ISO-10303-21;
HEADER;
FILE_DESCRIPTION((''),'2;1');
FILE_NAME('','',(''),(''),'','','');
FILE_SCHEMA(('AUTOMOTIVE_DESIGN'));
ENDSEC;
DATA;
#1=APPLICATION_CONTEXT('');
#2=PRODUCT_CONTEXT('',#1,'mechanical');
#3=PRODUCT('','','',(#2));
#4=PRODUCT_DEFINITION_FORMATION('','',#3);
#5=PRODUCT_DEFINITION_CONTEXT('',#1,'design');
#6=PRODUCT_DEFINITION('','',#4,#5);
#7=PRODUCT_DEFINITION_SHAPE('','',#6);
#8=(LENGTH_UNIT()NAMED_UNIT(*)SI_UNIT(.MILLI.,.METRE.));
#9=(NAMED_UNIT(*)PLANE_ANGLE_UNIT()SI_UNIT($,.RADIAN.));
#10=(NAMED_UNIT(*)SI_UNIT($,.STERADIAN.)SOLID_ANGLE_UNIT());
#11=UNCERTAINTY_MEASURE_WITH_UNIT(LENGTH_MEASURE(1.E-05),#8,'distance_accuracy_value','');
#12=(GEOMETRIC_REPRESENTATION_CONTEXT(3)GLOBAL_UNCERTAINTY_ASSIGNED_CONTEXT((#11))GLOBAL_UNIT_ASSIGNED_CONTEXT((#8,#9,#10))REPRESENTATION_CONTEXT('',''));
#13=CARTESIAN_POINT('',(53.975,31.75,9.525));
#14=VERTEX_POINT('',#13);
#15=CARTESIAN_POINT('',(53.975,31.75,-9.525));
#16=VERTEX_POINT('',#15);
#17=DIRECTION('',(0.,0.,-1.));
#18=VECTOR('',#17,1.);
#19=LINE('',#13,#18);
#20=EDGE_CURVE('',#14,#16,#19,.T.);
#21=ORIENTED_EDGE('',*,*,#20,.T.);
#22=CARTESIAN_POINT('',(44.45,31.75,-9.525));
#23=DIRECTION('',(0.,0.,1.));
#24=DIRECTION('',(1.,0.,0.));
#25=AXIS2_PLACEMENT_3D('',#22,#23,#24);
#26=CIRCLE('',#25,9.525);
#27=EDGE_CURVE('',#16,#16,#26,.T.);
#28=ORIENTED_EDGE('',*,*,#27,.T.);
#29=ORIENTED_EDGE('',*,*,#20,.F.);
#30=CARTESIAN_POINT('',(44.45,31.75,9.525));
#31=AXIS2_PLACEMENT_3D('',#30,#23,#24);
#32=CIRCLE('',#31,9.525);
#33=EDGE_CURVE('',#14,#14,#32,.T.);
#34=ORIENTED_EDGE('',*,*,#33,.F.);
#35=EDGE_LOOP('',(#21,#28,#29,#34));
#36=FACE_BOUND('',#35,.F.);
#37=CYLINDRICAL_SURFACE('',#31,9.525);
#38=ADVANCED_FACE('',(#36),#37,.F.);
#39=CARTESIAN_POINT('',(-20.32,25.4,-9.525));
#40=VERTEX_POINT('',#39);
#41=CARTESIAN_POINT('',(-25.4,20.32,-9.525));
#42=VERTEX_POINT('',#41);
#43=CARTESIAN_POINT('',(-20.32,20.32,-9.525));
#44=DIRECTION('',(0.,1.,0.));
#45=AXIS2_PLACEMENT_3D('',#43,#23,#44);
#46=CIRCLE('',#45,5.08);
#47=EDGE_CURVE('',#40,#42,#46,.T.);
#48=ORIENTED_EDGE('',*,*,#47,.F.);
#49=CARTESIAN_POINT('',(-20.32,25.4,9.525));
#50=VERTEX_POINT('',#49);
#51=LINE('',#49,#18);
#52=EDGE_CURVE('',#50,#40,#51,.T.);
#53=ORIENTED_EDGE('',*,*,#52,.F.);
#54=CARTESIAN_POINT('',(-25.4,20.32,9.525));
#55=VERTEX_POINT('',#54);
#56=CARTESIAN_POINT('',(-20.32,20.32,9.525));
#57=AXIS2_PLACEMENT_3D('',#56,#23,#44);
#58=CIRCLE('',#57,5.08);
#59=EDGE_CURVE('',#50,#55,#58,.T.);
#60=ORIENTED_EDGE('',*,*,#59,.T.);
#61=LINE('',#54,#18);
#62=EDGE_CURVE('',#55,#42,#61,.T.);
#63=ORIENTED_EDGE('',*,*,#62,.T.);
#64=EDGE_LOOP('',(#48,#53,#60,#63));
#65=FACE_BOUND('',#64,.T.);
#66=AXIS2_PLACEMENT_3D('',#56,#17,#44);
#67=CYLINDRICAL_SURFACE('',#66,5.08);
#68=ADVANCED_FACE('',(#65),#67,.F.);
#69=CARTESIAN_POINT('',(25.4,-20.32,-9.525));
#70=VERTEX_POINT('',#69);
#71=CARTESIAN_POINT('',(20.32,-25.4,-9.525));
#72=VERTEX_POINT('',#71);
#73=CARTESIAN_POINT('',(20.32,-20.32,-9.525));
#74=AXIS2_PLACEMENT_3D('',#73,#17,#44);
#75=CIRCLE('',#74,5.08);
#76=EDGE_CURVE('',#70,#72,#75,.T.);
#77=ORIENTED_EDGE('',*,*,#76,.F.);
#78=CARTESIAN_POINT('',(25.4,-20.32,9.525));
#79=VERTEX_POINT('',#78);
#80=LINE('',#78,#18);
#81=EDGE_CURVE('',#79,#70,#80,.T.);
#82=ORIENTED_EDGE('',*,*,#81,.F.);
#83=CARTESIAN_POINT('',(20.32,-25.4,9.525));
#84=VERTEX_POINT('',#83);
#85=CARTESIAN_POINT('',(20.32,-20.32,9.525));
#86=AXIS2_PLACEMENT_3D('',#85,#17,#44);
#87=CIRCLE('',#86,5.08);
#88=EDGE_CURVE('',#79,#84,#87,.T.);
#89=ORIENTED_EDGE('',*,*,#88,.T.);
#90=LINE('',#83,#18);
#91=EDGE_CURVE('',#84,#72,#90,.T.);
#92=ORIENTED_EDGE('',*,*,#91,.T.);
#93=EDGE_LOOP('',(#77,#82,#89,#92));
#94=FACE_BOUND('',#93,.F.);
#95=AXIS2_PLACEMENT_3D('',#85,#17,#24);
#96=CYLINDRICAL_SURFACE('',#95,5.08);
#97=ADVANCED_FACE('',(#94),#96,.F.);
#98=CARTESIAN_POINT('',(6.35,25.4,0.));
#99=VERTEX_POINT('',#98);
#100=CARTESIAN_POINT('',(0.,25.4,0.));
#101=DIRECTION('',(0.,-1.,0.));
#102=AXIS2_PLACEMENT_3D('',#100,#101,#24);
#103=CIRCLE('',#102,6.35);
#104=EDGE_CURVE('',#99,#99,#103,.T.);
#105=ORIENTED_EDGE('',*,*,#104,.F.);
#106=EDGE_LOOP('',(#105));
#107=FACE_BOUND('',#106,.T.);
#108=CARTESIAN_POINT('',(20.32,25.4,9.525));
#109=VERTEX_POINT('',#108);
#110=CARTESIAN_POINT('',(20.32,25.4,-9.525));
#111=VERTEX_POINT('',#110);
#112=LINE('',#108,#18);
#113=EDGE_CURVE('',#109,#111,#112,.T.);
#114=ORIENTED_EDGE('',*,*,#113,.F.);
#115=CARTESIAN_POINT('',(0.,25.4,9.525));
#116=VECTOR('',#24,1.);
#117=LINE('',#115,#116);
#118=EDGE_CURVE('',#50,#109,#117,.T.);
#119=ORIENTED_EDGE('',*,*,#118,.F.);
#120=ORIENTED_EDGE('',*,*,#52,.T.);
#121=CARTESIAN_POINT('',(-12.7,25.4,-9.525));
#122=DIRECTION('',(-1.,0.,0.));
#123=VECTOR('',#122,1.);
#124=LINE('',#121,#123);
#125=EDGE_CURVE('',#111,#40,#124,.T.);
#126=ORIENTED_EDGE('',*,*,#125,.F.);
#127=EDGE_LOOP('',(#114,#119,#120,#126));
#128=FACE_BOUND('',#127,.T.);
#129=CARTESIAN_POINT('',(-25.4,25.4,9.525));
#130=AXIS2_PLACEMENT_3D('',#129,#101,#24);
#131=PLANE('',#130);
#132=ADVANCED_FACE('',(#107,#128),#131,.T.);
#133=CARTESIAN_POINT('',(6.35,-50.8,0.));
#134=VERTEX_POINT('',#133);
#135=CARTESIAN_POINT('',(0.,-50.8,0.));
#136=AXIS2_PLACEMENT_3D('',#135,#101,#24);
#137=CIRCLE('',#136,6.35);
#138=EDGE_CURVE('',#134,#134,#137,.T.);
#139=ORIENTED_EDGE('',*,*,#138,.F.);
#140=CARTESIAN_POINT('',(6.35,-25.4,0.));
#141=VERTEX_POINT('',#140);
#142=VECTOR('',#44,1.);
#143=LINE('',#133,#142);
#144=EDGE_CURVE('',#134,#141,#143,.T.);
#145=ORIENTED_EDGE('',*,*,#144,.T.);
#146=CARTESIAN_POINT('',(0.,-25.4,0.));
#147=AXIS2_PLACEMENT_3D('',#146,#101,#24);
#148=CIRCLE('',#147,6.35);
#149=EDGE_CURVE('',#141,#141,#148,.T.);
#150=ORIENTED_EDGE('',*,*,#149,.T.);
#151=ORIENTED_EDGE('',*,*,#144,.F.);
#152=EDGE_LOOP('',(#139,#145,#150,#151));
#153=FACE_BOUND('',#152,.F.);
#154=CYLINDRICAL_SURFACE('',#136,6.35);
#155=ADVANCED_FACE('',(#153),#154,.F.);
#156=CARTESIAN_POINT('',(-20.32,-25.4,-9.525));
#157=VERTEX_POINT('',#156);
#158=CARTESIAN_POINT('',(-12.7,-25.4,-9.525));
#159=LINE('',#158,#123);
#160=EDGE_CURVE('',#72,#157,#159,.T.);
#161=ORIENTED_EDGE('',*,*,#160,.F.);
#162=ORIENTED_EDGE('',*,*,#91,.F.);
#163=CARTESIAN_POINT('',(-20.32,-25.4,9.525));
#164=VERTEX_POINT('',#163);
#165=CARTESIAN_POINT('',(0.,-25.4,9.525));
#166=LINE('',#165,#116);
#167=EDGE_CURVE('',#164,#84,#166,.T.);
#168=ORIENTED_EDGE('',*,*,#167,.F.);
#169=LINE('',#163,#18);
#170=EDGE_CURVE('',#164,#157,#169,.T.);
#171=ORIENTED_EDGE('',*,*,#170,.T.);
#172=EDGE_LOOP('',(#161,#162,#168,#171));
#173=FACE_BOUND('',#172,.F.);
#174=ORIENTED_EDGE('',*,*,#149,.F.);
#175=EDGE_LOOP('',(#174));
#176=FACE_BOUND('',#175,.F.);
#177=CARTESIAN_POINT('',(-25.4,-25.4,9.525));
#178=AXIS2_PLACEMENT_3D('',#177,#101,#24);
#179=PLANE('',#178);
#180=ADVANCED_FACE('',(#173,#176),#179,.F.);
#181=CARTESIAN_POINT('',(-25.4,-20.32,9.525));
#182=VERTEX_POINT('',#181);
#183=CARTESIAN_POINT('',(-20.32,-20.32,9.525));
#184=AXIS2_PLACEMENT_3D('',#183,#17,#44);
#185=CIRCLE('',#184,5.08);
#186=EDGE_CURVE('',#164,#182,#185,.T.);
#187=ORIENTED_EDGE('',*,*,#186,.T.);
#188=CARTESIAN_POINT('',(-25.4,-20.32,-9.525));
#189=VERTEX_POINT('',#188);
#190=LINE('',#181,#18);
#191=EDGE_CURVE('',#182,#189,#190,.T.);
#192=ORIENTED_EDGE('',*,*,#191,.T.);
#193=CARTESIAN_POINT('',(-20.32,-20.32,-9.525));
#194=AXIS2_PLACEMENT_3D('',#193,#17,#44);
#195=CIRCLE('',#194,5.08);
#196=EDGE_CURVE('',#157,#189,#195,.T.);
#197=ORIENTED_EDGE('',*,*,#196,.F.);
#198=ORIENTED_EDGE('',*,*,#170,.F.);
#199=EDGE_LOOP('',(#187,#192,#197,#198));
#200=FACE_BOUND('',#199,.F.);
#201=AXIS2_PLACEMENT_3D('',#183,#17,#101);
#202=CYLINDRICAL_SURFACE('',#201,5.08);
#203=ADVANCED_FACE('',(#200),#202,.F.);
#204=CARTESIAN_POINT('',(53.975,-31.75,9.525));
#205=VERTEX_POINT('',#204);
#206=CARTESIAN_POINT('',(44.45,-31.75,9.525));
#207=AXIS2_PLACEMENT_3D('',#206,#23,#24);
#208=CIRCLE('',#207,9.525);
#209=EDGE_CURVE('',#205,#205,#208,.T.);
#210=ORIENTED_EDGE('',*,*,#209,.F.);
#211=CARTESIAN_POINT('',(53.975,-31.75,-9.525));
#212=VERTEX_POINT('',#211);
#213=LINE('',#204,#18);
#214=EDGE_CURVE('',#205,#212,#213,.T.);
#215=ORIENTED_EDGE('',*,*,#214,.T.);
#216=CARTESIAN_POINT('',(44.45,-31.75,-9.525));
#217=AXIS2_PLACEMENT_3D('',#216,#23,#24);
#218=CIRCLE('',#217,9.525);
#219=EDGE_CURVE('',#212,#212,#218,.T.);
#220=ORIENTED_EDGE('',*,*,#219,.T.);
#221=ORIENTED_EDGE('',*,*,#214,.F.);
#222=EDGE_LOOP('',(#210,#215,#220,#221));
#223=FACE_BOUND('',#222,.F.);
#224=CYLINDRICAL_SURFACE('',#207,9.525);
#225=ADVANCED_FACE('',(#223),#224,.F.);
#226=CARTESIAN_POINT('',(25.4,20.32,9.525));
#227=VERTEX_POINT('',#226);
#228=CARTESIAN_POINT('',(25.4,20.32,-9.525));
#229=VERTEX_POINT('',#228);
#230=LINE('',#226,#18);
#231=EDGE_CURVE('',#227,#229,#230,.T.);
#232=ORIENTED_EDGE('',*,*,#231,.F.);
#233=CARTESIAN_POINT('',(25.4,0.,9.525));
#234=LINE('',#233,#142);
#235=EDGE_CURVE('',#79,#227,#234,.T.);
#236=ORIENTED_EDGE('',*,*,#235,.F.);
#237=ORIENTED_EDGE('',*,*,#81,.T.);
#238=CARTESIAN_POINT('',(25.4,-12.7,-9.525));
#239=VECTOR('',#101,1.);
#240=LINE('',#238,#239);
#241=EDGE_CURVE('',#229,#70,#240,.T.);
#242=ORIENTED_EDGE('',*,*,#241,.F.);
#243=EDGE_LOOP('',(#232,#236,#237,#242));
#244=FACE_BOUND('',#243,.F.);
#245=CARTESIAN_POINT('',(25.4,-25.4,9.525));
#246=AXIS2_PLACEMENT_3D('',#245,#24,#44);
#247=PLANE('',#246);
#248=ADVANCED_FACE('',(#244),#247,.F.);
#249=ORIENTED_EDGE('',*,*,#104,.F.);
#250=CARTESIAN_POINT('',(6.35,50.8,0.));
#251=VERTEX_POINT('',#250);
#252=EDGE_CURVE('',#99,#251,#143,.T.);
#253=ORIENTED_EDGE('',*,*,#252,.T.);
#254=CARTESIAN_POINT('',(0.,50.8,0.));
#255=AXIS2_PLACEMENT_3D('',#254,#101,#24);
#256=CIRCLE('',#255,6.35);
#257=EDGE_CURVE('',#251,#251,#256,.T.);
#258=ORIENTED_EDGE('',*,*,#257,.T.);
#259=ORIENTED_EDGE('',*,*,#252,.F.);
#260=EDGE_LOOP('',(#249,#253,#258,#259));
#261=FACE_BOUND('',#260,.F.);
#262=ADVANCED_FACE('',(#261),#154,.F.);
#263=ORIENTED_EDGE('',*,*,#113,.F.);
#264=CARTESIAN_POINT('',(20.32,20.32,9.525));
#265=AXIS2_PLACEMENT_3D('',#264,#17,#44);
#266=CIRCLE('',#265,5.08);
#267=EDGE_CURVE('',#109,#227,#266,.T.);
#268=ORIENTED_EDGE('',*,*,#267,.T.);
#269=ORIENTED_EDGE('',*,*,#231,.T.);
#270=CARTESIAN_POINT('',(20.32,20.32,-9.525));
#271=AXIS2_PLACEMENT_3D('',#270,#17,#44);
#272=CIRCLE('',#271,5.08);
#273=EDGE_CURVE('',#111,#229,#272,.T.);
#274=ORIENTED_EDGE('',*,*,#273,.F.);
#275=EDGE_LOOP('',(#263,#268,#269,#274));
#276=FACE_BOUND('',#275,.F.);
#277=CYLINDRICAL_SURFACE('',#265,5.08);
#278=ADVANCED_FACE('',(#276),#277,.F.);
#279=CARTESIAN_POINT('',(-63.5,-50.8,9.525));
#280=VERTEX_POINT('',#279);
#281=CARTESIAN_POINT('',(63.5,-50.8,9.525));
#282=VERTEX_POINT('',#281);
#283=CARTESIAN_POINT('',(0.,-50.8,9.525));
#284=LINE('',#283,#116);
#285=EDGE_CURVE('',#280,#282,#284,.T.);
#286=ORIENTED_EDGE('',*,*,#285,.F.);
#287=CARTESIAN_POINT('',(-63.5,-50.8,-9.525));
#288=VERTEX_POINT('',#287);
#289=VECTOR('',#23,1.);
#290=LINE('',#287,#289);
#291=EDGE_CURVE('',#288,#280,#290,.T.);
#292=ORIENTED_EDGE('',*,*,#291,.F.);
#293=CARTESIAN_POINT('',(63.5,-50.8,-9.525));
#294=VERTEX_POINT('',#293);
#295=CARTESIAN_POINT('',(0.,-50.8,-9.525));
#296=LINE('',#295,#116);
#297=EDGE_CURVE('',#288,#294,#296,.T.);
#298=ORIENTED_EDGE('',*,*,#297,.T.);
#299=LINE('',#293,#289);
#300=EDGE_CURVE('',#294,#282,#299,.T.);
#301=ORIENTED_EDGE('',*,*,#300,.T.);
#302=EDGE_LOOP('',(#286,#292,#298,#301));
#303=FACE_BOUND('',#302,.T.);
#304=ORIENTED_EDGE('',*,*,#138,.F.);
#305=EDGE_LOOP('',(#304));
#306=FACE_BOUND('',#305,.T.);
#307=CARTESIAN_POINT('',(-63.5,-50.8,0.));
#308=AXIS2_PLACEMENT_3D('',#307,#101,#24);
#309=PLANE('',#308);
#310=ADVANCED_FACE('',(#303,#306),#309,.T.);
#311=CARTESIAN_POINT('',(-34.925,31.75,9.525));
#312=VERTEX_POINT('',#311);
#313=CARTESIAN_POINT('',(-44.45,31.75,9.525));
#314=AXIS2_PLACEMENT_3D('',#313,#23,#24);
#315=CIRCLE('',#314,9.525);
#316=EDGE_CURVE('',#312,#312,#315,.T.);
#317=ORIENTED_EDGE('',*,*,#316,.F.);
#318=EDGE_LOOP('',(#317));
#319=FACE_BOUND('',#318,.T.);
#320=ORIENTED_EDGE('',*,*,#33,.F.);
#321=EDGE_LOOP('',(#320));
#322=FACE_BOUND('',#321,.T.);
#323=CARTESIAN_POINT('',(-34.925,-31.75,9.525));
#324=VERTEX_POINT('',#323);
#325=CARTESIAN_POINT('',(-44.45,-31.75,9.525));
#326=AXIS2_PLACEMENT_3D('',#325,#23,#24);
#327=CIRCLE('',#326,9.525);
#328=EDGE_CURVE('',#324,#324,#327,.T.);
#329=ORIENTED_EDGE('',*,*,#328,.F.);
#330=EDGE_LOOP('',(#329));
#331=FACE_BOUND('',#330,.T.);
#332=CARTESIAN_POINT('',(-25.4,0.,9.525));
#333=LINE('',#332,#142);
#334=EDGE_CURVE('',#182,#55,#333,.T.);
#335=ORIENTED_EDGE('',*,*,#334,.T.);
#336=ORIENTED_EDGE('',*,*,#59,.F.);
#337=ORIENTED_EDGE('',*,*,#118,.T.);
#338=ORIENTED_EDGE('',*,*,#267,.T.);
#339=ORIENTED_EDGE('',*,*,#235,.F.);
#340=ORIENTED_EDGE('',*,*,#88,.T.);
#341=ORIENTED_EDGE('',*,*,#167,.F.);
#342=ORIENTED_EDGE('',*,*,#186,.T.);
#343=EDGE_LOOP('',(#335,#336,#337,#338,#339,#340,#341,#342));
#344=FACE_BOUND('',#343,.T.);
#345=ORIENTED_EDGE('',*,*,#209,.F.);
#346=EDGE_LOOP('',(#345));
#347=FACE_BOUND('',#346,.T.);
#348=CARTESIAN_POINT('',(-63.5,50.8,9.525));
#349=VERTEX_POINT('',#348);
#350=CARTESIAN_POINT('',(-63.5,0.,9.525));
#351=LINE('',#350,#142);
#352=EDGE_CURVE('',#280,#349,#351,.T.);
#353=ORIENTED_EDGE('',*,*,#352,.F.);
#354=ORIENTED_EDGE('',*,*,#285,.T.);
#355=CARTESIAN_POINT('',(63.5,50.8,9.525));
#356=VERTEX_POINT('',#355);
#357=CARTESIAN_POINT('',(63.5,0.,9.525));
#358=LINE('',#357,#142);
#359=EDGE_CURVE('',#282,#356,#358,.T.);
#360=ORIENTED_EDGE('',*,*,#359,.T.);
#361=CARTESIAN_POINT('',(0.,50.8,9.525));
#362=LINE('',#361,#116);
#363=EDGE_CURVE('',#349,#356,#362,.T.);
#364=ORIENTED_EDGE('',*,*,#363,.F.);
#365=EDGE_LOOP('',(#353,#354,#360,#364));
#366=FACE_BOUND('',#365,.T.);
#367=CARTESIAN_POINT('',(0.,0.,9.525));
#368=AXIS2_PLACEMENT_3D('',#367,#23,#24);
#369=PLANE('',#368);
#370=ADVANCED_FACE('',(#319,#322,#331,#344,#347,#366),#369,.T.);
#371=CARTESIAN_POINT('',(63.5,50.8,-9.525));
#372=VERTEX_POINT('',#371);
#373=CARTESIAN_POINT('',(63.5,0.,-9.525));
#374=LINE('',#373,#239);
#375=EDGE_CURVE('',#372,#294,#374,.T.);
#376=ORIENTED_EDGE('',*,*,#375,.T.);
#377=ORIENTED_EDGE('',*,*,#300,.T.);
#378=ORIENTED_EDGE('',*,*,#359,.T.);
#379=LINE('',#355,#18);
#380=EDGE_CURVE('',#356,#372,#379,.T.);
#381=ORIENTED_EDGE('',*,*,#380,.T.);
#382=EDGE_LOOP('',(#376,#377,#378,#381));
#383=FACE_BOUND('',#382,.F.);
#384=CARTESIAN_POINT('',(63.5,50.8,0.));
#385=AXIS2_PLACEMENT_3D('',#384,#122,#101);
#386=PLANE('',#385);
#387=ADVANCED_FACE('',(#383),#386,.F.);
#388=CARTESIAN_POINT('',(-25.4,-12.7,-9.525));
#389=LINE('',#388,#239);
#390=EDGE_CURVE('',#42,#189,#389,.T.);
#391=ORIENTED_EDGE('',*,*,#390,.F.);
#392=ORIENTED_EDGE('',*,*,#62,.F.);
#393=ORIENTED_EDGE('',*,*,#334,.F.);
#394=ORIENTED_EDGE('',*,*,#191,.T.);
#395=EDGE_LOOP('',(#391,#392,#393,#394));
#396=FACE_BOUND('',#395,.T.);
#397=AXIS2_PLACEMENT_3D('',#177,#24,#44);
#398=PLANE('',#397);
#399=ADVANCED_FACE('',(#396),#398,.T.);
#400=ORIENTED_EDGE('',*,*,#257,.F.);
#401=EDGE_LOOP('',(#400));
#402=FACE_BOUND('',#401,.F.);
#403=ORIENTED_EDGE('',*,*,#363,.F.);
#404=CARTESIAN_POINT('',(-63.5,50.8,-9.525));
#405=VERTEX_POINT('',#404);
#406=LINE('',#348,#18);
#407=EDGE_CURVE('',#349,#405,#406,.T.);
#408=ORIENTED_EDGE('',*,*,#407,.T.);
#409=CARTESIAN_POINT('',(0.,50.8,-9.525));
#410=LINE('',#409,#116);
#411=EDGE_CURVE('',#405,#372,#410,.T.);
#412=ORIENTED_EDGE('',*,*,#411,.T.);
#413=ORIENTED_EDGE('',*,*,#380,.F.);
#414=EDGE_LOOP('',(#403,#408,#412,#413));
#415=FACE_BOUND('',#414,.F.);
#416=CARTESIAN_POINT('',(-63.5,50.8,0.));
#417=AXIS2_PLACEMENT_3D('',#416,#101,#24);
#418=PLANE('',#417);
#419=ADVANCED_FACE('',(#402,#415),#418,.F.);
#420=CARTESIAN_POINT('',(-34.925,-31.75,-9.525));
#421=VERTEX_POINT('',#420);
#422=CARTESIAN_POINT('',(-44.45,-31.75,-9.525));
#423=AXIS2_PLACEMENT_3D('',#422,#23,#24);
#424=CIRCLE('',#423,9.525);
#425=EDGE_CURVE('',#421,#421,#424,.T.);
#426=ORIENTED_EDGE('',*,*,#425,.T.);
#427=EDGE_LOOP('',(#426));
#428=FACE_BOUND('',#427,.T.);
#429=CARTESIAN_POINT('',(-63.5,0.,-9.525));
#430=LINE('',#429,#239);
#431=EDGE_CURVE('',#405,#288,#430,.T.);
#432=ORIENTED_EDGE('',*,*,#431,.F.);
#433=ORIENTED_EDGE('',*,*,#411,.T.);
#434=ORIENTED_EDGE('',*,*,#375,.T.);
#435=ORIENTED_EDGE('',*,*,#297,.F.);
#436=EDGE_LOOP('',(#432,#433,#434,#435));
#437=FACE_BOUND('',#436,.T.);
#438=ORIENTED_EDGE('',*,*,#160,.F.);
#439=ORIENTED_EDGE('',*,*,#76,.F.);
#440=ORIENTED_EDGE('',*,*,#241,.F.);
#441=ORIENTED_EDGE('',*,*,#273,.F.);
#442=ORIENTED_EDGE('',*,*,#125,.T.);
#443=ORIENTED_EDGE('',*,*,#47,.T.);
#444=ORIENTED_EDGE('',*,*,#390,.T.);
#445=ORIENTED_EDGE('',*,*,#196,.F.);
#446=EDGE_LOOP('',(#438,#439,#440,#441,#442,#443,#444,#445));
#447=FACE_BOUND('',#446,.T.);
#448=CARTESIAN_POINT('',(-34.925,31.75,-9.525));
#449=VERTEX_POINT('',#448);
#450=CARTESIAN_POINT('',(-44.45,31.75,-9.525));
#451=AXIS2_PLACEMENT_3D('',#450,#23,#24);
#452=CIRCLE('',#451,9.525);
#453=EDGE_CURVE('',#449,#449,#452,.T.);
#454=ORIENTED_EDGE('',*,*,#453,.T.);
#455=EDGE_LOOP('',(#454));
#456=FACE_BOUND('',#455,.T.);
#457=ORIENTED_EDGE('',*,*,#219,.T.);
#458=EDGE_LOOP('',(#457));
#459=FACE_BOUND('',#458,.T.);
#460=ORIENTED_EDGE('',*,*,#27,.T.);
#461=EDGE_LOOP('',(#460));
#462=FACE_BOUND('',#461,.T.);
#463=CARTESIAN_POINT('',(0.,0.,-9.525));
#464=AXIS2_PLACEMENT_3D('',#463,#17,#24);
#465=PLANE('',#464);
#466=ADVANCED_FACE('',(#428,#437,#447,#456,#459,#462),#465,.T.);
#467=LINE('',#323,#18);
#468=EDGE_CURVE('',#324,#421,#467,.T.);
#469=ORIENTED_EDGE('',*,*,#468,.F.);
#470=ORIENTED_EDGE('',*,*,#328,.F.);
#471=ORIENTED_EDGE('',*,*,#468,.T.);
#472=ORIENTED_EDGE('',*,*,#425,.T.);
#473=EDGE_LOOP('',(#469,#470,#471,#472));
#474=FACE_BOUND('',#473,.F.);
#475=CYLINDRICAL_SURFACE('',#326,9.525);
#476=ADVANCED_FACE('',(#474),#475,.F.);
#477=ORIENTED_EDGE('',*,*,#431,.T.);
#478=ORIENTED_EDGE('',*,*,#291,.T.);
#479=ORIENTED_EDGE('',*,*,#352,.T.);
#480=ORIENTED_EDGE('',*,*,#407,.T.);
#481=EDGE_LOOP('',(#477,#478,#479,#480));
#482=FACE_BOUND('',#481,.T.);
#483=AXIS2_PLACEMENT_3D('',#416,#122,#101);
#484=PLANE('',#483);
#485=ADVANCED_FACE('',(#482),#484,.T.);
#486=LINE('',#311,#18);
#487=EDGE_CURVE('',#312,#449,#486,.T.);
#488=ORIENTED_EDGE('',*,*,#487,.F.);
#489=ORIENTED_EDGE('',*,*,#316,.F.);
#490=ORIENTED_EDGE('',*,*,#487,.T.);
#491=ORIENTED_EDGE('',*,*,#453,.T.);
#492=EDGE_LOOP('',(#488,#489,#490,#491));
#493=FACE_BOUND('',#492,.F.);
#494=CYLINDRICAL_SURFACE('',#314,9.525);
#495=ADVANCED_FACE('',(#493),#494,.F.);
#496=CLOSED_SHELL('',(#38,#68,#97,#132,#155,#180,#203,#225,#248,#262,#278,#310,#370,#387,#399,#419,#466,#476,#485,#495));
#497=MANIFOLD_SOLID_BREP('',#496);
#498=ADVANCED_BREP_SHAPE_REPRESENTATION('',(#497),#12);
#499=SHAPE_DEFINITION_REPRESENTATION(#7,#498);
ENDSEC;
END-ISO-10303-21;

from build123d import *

# Parameters (mm, degrees)
F0_W      = 127
F0_H      = 101.6
F1_DEPTH  = 9.525
F1_FACE_W = 127
F1_FACE_H = 101.6
F2_DEPTH  = 9.525
F3_W      = 50.8
F3_H      = 50.8
F3_R      = 9.525
F4_DEPTH  = 25.4
F5_R      = 5.08
F6_R      = 6.35
F7_DEPTH  = 116.078


with BuildPart() as f1:
    # F0 (on Top) → F1 (new body)
    with BuildSketch(Plane.XY):
        Rectangle(F0_W, F0_H)
    extrude(amount=F1_DEPTH)

    # F1_face (on face) → F2 (join)
    with BuildSketch(Plane(origin=(0, 0, 0), x_dir=(1, 0, 0), z_dir=(0, 0, -1))):
        Rectangle(F1_FACE_W, F1_FACE_H)
    extrude(amount=F2_DEPTH)

    # F3 (on face) → F4 (cut)
    with BuildSketch(Plane.XY.offset(9.525)):
        Rectangle(F3_W, F3_H)
        with Locations((-44.45, -31.75)):
            Circle(F3_R)
        with Locations((-44.45, 31.75)):
            Circle(F3_R)
        with Locations((44.45, 31.75)):
            Circle(F3_R)
        with Locations((44.45, -31.75)):
            Circle(F3_R)
    extrude(amount=-F4_DEPTH, mode=Mode.SUBTRACT)

    # F5
    f5_edges = [f1.edges().sort_by_distance(p)[0] for p in [
        (-25.4, 25.4, 0),
        (-25.4, -25.4, 0),
        (25.4, -25.4, 0),
        (25.4, 25.4, 0),
    ]]
    fillet(f5_edges, radius=F5_R)

    # F6 (on face) → F7 (cut)
    with BuildSketch(Plane.XZ.offset(50.8)):
        Circle(F6_R)
    extrude(amount=-F7_DEPTH, mode=Mode.SUBTRACT)


solid = f1.part
